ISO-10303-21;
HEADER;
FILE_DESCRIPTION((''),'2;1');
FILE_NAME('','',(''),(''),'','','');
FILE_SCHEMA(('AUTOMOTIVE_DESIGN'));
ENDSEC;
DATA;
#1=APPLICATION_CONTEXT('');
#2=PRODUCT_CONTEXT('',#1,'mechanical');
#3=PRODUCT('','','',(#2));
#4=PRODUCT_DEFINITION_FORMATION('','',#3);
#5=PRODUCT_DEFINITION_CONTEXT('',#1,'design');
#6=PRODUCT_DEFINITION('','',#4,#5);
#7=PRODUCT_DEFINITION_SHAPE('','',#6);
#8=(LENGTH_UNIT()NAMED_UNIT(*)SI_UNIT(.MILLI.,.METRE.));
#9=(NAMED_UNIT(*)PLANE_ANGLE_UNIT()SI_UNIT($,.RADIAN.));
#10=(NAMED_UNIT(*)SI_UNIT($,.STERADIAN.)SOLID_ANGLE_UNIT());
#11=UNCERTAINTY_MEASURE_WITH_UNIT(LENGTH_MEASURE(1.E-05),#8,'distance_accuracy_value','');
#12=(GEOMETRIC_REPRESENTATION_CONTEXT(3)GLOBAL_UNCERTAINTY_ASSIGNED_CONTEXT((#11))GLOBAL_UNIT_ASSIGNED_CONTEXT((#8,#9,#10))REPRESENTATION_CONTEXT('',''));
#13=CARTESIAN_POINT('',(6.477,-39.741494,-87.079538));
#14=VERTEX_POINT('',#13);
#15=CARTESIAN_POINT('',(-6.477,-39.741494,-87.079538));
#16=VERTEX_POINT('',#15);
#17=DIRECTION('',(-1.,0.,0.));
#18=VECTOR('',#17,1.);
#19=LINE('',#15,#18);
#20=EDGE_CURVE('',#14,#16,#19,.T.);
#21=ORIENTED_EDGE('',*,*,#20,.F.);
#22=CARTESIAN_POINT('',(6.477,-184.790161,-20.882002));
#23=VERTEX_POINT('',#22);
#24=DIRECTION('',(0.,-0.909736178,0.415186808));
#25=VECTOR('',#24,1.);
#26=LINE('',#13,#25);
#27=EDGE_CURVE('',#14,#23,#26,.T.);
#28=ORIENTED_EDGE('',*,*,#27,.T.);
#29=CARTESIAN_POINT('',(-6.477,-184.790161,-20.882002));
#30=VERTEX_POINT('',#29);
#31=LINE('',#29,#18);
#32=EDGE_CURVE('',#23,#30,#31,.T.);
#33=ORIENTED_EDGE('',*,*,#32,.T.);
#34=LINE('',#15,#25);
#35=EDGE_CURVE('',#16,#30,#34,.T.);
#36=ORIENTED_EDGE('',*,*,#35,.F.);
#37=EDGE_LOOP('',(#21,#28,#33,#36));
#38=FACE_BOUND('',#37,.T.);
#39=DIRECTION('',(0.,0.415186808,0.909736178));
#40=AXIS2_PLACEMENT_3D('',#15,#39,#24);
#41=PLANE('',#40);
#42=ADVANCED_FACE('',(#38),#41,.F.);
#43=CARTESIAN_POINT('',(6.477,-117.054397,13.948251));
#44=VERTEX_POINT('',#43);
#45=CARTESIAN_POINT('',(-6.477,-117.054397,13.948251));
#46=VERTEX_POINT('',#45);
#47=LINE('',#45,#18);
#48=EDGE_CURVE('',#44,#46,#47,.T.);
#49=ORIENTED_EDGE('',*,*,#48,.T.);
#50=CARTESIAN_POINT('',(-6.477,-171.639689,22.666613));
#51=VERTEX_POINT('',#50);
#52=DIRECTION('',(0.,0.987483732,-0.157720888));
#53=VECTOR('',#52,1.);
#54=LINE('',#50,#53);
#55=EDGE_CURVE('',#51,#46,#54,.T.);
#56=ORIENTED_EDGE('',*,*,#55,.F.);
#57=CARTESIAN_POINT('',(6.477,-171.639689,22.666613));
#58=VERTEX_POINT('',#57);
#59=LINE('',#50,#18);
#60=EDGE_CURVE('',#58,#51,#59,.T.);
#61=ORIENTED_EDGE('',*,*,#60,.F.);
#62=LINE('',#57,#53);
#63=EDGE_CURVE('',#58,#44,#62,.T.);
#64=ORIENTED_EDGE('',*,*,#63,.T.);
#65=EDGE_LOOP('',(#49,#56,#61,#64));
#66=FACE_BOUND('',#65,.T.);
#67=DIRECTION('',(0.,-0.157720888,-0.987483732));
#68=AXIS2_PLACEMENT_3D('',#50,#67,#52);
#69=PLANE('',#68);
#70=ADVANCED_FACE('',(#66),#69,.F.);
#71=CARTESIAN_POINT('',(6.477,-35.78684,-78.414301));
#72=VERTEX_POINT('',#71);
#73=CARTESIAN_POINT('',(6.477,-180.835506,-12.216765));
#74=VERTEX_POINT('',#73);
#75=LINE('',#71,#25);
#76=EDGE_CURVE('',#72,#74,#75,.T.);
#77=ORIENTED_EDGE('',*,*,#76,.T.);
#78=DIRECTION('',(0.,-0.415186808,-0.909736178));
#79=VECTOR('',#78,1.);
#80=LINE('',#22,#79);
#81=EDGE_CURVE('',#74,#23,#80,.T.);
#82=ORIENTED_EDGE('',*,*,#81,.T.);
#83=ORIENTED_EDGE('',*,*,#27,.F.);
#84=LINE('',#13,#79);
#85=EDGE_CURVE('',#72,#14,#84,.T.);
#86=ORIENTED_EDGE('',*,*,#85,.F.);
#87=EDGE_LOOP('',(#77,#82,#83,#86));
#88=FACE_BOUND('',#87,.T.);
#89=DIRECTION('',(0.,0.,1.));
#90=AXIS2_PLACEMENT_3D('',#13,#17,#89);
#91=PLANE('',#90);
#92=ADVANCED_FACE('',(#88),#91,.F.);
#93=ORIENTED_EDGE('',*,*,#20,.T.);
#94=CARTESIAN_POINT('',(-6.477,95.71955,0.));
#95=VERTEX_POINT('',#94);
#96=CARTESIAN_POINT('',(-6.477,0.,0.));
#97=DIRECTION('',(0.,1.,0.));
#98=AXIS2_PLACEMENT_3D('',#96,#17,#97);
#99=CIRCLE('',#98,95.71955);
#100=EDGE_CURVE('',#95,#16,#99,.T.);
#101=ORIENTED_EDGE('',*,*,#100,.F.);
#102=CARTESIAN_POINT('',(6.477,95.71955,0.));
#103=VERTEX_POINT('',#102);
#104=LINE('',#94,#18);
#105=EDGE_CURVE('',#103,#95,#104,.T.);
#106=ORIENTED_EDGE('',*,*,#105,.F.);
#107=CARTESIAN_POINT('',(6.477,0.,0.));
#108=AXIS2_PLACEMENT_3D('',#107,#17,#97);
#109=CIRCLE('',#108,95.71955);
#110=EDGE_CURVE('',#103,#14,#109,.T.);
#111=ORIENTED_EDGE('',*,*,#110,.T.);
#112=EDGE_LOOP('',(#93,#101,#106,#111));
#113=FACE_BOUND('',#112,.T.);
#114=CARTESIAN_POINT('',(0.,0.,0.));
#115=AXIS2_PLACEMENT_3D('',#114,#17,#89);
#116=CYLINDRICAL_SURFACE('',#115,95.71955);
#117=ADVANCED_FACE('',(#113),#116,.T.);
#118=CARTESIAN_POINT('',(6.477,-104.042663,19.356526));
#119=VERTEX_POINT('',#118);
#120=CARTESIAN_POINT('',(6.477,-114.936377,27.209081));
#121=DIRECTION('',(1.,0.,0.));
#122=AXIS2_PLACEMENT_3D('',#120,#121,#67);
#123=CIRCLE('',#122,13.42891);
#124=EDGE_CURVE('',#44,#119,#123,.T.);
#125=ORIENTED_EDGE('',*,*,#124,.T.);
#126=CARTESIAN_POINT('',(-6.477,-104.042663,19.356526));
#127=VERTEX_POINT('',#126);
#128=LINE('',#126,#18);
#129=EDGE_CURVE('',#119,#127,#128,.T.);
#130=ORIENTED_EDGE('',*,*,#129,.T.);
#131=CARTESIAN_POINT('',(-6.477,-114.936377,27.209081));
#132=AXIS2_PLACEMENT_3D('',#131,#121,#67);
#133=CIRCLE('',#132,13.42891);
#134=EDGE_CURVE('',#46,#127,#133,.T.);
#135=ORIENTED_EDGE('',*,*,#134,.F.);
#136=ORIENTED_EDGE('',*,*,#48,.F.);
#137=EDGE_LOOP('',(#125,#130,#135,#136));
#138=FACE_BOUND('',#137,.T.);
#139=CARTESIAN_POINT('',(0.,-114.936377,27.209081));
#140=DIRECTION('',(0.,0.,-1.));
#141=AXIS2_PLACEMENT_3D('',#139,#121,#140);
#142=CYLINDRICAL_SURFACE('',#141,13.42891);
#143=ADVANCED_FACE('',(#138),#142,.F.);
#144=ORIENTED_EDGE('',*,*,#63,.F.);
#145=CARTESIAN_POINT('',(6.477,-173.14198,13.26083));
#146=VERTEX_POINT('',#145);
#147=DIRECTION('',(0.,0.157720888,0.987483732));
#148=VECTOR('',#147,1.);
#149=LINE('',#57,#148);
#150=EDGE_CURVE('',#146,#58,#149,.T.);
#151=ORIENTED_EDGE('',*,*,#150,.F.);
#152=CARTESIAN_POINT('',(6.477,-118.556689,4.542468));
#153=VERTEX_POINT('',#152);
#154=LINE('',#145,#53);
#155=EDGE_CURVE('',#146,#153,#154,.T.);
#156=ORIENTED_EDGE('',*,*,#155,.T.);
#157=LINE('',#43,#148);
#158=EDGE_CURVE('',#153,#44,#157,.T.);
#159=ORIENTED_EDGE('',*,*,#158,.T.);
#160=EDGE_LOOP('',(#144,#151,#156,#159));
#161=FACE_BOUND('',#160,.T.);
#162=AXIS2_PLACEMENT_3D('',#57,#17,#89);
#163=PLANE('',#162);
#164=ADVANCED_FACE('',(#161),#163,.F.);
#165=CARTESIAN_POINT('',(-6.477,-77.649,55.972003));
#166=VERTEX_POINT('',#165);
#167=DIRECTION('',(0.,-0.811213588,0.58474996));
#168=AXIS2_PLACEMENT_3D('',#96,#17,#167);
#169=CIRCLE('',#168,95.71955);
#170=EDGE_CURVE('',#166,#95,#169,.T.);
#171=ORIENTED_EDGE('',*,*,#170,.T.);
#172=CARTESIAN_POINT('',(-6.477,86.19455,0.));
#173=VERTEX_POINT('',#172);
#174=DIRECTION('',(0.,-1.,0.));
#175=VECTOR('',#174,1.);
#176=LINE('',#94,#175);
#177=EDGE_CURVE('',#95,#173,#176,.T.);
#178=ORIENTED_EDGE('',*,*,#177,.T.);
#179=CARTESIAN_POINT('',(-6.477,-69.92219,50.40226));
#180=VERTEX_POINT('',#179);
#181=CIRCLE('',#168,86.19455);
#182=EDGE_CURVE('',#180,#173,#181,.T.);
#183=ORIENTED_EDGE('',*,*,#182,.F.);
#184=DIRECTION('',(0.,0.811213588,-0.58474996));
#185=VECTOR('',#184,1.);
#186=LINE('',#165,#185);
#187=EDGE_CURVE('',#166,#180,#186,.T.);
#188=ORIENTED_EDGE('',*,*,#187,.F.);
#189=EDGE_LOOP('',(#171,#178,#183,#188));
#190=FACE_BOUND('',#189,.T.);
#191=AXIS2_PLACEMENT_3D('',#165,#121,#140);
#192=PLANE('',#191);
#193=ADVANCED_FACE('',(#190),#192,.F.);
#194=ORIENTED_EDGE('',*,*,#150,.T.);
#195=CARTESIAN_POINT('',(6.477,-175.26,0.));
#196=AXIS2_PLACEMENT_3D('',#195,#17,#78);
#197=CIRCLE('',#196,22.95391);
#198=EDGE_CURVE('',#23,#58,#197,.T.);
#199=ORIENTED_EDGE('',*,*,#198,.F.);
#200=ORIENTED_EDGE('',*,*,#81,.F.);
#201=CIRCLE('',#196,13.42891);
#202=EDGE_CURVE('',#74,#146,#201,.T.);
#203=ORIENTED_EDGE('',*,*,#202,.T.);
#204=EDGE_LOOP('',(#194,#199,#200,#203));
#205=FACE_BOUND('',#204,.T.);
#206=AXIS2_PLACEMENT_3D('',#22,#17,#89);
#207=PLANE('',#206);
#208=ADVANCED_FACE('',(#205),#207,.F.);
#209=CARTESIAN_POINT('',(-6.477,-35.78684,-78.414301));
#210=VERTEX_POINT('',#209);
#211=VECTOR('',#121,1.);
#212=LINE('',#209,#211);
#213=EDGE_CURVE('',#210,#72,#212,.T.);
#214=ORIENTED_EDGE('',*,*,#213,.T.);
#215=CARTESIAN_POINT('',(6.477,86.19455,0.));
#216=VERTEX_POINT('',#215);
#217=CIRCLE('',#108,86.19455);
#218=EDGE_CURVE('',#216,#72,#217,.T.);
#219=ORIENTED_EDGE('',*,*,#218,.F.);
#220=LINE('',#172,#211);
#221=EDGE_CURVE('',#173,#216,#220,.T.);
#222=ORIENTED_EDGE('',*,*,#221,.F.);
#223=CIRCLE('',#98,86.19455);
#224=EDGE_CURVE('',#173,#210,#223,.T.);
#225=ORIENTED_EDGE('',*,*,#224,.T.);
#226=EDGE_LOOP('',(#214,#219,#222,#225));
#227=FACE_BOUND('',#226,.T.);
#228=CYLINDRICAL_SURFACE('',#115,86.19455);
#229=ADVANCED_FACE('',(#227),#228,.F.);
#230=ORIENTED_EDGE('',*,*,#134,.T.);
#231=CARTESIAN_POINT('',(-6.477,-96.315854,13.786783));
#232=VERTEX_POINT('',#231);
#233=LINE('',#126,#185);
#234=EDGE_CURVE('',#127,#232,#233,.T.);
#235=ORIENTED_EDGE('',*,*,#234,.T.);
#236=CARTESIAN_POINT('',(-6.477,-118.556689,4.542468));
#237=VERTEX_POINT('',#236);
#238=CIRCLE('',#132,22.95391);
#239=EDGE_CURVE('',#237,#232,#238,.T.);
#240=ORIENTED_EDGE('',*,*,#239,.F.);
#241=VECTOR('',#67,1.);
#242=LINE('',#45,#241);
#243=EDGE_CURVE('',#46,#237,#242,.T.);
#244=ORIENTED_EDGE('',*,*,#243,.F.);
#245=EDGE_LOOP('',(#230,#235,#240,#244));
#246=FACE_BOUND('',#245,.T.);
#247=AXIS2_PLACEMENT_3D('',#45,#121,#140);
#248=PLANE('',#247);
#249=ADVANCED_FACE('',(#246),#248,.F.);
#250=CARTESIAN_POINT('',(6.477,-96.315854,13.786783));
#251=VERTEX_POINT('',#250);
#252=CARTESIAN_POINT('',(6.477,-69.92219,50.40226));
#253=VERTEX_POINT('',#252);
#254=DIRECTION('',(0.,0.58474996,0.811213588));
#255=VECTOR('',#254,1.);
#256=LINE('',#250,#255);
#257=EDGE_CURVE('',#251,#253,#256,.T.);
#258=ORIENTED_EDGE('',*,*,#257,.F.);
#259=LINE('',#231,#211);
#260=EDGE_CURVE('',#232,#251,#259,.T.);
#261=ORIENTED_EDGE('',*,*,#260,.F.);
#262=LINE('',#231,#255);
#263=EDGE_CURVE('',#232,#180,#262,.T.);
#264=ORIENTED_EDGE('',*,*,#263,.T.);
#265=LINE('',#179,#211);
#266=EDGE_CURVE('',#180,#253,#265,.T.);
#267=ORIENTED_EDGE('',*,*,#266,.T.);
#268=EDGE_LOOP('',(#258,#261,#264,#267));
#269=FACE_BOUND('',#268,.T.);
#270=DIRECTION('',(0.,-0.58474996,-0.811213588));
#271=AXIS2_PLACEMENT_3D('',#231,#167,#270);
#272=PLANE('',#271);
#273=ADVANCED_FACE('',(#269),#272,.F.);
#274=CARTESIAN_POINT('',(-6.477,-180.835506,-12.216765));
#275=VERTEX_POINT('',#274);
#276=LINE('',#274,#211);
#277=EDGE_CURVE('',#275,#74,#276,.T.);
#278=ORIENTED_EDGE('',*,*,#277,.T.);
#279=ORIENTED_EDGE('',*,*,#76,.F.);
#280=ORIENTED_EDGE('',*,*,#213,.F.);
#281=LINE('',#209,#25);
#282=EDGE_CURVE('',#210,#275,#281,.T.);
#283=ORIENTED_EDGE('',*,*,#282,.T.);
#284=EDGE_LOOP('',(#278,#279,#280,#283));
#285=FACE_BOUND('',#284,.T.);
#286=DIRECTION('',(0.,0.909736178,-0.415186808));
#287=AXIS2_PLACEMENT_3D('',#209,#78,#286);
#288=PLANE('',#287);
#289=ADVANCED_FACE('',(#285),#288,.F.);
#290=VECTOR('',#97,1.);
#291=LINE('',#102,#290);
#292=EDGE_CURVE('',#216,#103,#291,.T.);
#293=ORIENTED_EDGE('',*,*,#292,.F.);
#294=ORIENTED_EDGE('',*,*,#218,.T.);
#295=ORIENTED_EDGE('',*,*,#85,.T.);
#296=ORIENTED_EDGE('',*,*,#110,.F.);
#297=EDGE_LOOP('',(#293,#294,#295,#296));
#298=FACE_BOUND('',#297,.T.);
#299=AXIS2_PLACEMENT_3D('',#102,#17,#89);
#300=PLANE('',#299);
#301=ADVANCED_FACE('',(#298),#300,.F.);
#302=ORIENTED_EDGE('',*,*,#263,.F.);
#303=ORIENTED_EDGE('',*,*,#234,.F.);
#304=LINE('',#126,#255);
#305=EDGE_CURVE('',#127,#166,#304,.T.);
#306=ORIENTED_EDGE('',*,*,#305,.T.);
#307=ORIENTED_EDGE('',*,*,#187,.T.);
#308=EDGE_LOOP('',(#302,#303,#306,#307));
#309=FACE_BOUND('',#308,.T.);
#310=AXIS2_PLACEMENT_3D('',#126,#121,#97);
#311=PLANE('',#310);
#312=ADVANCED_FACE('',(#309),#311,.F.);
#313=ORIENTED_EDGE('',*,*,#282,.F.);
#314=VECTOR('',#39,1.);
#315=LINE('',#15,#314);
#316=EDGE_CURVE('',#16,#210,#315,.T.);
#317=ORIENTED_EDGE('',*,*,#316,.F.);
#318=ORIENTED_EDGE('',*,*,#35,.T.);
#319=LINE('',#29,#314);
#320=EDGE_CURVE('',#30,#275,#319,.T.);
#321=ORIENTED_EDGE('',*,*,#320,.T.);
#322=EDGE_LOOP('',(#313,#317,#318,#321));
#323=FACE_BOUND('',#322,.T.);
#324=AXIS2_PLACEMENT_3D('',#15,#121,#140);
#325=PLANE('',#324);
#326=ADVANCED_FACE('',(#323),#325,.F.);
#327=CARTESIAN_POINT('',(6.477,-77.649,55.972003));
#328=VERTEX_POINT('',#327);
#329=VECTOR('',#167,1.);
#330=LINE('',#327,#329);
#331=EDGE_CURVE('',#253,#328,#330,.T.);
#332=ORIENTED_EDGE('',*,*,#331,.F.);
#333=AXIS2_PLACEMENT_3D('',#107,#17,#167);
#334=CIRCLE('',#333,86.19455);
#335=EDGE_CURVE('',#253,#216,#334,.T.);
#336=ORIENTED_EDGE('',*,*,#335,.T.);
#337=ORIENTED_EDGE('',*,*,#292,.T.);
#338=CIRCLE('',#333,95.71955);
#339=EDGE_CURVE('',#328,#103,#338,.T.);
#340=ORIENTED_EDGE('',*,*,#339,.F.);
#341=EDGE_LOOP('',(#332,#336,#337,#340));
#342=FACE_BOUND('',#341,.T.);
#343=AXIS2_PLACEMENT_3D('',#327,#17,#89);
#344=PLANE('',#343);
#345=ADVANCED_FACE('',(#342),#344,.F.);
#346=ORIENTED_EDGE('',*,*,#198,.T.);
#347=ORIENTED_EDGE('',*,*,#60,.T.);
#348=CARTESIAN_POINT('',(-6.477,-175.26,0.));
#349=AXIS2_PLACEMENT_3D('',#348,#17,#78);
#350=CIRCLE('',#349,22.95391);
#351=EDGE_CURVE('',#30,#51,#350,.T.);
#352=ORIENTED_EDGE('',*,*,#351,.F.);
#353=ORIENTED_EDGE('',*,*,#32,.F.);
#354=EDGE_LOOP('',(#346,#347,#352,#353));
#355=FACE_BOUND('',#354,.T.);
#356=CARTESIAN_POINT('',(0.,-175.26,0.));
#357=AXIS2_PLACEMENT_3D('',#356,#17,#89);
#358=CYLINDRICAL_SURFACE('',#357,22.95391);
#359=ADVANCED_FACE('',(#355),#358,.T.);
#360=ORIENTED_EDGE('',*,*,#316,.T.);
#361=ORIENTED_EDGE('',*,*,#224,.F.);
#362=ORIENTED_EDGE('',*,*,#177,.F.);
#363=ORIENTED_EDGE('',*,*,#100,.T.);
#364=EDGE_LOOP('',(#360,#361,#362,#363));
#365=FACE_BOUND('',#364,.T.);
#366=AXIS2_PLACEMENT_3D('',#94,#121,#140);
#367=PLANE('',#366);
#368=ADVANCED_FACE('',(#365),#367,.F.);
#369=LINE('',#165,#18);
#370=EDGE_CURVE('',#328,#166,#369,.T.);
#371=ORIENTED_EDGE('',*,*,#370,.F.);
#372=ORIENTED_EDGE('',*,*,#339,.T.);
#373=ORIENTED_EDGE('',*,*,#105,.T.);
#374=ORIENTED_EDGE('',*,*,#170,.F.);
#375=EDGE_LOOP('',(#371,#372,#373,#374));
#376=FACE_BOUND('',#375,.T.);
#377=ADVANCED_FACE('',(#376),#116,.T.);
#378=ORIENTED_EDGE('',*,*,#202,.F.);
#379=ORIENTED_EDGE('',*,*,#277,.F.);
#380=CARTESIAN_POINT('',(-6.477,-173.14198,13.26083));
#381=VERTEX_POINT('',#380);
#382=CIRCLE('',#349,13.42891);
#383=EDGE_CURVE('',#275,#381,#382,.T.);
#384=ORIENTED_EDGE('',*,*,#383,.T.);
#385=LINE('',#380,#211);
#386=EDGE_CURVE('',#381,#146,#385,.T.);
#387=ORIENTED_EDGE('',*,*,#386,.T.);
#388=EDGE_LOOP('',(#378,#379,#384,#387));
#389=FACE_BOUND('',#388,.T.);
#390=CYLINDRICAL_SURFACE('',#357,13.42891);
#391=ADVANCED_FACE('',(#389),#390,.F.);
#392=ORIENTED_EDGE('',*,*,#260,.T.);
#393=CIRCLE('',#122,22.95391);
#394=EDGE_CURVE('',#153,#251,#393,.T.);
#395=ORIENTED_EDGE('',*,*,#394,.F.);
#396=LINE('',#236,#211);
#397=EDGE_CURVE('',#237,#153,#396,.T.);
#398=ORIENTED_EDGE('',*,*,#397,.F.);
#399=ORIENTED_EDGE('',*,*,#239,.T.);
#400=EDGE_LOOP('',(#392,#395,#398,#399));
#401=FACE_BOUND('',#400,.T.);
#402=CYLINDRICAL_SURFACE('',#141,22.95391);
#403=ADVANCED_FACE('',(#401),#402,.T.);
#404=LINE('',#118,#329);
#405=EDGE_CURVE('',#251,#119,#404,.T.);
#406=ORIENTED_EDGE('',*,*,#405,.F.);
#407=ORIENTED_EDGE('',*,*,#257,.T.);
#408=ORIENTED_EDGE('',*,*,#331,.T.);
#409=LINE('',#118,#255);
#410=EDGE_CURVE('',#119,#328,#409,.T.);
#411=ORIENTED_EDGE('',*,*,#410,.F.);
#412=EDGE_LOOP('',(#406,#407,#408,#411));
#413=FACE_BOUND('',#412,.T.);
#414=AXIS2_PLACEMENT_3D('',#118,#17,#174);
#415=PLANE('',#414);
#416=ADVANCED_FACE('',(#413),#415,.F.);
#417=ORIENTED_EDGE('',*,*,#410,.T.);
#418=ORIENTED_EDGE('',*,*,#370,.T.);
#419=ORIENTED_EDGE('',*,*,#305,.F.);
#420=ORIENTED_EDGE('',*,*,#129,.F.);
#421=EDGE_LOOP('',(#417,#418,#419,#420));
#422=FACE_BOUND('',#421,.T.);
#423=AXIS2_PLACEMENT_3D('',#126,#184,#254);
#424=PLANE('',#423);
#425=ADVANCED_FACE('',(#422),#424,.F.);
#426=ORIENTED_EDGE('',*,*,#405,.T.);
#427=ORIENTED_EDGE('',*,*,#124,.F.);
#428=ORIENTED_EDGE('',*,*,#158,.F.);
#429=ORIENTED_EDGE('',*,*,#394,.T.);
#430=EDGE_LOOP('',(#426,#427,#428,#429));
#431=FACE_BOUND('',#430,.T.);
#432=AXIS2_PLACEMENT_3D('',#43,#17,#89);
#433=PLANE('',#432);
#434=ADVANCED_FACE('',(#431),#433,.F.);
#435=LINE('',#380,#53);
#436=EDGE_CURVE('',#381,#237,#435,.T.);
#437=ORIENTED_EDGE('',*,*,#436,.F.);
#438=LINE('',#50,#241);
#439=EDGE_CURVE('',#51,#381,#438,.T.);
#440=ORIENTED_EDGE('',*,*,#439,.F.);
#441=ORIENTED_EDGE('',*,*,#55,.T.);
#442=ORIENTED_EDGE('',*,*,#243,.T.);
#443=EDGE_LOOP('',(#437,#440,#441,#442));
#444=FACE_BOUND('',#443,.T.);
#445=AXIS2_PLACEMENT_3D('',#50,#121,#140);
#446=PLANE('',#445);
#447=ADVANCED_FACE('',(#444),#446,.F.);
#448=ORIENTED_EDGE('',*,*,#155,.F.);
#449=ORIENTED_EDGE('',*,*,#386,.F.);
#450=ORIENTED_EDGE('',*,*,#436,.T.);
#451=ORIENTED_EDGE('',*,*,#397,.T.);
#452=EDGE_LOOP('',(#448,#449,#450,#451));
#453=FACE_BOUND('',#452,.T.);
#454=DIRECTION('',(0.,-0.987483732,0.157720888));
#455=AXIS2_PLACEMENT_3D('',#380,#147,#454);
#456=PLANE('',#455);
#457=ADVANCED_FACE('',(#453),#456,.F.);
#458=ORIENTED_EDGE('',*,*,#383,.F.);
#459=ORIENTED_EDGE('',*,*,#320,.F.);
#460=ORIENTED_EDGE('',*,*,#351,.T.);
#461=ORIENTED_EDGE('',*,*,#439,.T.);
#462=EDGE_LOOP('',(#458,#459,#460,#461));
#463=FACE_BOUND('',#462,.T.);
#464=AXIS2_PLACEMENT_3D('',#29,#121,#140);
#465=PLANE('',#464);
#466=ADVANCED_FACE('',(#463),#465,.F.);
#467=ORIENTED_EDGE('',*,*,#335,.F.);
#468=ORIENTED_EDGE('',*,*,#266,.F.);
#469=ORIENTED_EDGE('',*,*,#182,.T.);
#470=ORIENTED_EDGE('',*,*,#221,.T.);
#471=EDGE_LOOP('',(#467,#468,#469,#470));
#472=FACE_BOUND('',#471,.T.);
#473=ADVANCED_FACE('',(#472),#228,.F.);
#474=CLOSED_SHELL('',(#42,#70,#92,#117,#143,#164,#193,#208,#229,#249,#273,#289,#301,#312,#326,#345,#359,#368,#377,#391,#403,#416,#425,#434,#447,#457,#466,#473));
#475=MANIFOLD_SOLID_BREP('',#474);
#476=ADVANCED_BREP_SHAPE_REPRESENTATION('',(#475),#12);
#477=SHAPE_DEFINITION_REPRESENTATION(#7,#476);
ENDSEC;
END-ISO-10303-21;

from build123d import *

# Parameters (mm, degrees)
SKETCH2_W = 12.954
SKETCH2_H = 9.525


with BuildPart() as part:
    # Sweep1: sweep along a path in Sketch1
    with BuildLine(Plane(origin=(0, 0, 0), x_dir=(0, 0, -1), z_dir=(1, 0, 0))) as sweep1_path:
        Line((16.54938381, -182.81283345), (82.746919051, -37.764167251))
        ThreePointArc((82.746919051, -37.764167251), (-23.298735464, 87.922430962), (-53.187131299, -73.785594832))
        Line((-53.187131299, -73.785594832), (-16.57165453, -100.179258458))
        ThreePointArc((-16.57165453, -100.179258458), (-10.410929492, -107.954292451), (-9.245359354, -117.80554277))
        Line((-9.245359354, -117.80554277), (-17.963721436, -172.390834655))
        ThreePointArc((-17.963721436, -172.390834655), (-5.258764347, -192.674729259), (16.54938381, -182.81283345))
    # Sketch2 → Sweep1 (sweep)
    with BuildSketch(Plane.XY):
        with Locations((0, 90.957049977)):
            Rectangle(SKETCH2_W, SKETCH2_H)
    sweep(path=sweep1_path.line)


solid = part.part
